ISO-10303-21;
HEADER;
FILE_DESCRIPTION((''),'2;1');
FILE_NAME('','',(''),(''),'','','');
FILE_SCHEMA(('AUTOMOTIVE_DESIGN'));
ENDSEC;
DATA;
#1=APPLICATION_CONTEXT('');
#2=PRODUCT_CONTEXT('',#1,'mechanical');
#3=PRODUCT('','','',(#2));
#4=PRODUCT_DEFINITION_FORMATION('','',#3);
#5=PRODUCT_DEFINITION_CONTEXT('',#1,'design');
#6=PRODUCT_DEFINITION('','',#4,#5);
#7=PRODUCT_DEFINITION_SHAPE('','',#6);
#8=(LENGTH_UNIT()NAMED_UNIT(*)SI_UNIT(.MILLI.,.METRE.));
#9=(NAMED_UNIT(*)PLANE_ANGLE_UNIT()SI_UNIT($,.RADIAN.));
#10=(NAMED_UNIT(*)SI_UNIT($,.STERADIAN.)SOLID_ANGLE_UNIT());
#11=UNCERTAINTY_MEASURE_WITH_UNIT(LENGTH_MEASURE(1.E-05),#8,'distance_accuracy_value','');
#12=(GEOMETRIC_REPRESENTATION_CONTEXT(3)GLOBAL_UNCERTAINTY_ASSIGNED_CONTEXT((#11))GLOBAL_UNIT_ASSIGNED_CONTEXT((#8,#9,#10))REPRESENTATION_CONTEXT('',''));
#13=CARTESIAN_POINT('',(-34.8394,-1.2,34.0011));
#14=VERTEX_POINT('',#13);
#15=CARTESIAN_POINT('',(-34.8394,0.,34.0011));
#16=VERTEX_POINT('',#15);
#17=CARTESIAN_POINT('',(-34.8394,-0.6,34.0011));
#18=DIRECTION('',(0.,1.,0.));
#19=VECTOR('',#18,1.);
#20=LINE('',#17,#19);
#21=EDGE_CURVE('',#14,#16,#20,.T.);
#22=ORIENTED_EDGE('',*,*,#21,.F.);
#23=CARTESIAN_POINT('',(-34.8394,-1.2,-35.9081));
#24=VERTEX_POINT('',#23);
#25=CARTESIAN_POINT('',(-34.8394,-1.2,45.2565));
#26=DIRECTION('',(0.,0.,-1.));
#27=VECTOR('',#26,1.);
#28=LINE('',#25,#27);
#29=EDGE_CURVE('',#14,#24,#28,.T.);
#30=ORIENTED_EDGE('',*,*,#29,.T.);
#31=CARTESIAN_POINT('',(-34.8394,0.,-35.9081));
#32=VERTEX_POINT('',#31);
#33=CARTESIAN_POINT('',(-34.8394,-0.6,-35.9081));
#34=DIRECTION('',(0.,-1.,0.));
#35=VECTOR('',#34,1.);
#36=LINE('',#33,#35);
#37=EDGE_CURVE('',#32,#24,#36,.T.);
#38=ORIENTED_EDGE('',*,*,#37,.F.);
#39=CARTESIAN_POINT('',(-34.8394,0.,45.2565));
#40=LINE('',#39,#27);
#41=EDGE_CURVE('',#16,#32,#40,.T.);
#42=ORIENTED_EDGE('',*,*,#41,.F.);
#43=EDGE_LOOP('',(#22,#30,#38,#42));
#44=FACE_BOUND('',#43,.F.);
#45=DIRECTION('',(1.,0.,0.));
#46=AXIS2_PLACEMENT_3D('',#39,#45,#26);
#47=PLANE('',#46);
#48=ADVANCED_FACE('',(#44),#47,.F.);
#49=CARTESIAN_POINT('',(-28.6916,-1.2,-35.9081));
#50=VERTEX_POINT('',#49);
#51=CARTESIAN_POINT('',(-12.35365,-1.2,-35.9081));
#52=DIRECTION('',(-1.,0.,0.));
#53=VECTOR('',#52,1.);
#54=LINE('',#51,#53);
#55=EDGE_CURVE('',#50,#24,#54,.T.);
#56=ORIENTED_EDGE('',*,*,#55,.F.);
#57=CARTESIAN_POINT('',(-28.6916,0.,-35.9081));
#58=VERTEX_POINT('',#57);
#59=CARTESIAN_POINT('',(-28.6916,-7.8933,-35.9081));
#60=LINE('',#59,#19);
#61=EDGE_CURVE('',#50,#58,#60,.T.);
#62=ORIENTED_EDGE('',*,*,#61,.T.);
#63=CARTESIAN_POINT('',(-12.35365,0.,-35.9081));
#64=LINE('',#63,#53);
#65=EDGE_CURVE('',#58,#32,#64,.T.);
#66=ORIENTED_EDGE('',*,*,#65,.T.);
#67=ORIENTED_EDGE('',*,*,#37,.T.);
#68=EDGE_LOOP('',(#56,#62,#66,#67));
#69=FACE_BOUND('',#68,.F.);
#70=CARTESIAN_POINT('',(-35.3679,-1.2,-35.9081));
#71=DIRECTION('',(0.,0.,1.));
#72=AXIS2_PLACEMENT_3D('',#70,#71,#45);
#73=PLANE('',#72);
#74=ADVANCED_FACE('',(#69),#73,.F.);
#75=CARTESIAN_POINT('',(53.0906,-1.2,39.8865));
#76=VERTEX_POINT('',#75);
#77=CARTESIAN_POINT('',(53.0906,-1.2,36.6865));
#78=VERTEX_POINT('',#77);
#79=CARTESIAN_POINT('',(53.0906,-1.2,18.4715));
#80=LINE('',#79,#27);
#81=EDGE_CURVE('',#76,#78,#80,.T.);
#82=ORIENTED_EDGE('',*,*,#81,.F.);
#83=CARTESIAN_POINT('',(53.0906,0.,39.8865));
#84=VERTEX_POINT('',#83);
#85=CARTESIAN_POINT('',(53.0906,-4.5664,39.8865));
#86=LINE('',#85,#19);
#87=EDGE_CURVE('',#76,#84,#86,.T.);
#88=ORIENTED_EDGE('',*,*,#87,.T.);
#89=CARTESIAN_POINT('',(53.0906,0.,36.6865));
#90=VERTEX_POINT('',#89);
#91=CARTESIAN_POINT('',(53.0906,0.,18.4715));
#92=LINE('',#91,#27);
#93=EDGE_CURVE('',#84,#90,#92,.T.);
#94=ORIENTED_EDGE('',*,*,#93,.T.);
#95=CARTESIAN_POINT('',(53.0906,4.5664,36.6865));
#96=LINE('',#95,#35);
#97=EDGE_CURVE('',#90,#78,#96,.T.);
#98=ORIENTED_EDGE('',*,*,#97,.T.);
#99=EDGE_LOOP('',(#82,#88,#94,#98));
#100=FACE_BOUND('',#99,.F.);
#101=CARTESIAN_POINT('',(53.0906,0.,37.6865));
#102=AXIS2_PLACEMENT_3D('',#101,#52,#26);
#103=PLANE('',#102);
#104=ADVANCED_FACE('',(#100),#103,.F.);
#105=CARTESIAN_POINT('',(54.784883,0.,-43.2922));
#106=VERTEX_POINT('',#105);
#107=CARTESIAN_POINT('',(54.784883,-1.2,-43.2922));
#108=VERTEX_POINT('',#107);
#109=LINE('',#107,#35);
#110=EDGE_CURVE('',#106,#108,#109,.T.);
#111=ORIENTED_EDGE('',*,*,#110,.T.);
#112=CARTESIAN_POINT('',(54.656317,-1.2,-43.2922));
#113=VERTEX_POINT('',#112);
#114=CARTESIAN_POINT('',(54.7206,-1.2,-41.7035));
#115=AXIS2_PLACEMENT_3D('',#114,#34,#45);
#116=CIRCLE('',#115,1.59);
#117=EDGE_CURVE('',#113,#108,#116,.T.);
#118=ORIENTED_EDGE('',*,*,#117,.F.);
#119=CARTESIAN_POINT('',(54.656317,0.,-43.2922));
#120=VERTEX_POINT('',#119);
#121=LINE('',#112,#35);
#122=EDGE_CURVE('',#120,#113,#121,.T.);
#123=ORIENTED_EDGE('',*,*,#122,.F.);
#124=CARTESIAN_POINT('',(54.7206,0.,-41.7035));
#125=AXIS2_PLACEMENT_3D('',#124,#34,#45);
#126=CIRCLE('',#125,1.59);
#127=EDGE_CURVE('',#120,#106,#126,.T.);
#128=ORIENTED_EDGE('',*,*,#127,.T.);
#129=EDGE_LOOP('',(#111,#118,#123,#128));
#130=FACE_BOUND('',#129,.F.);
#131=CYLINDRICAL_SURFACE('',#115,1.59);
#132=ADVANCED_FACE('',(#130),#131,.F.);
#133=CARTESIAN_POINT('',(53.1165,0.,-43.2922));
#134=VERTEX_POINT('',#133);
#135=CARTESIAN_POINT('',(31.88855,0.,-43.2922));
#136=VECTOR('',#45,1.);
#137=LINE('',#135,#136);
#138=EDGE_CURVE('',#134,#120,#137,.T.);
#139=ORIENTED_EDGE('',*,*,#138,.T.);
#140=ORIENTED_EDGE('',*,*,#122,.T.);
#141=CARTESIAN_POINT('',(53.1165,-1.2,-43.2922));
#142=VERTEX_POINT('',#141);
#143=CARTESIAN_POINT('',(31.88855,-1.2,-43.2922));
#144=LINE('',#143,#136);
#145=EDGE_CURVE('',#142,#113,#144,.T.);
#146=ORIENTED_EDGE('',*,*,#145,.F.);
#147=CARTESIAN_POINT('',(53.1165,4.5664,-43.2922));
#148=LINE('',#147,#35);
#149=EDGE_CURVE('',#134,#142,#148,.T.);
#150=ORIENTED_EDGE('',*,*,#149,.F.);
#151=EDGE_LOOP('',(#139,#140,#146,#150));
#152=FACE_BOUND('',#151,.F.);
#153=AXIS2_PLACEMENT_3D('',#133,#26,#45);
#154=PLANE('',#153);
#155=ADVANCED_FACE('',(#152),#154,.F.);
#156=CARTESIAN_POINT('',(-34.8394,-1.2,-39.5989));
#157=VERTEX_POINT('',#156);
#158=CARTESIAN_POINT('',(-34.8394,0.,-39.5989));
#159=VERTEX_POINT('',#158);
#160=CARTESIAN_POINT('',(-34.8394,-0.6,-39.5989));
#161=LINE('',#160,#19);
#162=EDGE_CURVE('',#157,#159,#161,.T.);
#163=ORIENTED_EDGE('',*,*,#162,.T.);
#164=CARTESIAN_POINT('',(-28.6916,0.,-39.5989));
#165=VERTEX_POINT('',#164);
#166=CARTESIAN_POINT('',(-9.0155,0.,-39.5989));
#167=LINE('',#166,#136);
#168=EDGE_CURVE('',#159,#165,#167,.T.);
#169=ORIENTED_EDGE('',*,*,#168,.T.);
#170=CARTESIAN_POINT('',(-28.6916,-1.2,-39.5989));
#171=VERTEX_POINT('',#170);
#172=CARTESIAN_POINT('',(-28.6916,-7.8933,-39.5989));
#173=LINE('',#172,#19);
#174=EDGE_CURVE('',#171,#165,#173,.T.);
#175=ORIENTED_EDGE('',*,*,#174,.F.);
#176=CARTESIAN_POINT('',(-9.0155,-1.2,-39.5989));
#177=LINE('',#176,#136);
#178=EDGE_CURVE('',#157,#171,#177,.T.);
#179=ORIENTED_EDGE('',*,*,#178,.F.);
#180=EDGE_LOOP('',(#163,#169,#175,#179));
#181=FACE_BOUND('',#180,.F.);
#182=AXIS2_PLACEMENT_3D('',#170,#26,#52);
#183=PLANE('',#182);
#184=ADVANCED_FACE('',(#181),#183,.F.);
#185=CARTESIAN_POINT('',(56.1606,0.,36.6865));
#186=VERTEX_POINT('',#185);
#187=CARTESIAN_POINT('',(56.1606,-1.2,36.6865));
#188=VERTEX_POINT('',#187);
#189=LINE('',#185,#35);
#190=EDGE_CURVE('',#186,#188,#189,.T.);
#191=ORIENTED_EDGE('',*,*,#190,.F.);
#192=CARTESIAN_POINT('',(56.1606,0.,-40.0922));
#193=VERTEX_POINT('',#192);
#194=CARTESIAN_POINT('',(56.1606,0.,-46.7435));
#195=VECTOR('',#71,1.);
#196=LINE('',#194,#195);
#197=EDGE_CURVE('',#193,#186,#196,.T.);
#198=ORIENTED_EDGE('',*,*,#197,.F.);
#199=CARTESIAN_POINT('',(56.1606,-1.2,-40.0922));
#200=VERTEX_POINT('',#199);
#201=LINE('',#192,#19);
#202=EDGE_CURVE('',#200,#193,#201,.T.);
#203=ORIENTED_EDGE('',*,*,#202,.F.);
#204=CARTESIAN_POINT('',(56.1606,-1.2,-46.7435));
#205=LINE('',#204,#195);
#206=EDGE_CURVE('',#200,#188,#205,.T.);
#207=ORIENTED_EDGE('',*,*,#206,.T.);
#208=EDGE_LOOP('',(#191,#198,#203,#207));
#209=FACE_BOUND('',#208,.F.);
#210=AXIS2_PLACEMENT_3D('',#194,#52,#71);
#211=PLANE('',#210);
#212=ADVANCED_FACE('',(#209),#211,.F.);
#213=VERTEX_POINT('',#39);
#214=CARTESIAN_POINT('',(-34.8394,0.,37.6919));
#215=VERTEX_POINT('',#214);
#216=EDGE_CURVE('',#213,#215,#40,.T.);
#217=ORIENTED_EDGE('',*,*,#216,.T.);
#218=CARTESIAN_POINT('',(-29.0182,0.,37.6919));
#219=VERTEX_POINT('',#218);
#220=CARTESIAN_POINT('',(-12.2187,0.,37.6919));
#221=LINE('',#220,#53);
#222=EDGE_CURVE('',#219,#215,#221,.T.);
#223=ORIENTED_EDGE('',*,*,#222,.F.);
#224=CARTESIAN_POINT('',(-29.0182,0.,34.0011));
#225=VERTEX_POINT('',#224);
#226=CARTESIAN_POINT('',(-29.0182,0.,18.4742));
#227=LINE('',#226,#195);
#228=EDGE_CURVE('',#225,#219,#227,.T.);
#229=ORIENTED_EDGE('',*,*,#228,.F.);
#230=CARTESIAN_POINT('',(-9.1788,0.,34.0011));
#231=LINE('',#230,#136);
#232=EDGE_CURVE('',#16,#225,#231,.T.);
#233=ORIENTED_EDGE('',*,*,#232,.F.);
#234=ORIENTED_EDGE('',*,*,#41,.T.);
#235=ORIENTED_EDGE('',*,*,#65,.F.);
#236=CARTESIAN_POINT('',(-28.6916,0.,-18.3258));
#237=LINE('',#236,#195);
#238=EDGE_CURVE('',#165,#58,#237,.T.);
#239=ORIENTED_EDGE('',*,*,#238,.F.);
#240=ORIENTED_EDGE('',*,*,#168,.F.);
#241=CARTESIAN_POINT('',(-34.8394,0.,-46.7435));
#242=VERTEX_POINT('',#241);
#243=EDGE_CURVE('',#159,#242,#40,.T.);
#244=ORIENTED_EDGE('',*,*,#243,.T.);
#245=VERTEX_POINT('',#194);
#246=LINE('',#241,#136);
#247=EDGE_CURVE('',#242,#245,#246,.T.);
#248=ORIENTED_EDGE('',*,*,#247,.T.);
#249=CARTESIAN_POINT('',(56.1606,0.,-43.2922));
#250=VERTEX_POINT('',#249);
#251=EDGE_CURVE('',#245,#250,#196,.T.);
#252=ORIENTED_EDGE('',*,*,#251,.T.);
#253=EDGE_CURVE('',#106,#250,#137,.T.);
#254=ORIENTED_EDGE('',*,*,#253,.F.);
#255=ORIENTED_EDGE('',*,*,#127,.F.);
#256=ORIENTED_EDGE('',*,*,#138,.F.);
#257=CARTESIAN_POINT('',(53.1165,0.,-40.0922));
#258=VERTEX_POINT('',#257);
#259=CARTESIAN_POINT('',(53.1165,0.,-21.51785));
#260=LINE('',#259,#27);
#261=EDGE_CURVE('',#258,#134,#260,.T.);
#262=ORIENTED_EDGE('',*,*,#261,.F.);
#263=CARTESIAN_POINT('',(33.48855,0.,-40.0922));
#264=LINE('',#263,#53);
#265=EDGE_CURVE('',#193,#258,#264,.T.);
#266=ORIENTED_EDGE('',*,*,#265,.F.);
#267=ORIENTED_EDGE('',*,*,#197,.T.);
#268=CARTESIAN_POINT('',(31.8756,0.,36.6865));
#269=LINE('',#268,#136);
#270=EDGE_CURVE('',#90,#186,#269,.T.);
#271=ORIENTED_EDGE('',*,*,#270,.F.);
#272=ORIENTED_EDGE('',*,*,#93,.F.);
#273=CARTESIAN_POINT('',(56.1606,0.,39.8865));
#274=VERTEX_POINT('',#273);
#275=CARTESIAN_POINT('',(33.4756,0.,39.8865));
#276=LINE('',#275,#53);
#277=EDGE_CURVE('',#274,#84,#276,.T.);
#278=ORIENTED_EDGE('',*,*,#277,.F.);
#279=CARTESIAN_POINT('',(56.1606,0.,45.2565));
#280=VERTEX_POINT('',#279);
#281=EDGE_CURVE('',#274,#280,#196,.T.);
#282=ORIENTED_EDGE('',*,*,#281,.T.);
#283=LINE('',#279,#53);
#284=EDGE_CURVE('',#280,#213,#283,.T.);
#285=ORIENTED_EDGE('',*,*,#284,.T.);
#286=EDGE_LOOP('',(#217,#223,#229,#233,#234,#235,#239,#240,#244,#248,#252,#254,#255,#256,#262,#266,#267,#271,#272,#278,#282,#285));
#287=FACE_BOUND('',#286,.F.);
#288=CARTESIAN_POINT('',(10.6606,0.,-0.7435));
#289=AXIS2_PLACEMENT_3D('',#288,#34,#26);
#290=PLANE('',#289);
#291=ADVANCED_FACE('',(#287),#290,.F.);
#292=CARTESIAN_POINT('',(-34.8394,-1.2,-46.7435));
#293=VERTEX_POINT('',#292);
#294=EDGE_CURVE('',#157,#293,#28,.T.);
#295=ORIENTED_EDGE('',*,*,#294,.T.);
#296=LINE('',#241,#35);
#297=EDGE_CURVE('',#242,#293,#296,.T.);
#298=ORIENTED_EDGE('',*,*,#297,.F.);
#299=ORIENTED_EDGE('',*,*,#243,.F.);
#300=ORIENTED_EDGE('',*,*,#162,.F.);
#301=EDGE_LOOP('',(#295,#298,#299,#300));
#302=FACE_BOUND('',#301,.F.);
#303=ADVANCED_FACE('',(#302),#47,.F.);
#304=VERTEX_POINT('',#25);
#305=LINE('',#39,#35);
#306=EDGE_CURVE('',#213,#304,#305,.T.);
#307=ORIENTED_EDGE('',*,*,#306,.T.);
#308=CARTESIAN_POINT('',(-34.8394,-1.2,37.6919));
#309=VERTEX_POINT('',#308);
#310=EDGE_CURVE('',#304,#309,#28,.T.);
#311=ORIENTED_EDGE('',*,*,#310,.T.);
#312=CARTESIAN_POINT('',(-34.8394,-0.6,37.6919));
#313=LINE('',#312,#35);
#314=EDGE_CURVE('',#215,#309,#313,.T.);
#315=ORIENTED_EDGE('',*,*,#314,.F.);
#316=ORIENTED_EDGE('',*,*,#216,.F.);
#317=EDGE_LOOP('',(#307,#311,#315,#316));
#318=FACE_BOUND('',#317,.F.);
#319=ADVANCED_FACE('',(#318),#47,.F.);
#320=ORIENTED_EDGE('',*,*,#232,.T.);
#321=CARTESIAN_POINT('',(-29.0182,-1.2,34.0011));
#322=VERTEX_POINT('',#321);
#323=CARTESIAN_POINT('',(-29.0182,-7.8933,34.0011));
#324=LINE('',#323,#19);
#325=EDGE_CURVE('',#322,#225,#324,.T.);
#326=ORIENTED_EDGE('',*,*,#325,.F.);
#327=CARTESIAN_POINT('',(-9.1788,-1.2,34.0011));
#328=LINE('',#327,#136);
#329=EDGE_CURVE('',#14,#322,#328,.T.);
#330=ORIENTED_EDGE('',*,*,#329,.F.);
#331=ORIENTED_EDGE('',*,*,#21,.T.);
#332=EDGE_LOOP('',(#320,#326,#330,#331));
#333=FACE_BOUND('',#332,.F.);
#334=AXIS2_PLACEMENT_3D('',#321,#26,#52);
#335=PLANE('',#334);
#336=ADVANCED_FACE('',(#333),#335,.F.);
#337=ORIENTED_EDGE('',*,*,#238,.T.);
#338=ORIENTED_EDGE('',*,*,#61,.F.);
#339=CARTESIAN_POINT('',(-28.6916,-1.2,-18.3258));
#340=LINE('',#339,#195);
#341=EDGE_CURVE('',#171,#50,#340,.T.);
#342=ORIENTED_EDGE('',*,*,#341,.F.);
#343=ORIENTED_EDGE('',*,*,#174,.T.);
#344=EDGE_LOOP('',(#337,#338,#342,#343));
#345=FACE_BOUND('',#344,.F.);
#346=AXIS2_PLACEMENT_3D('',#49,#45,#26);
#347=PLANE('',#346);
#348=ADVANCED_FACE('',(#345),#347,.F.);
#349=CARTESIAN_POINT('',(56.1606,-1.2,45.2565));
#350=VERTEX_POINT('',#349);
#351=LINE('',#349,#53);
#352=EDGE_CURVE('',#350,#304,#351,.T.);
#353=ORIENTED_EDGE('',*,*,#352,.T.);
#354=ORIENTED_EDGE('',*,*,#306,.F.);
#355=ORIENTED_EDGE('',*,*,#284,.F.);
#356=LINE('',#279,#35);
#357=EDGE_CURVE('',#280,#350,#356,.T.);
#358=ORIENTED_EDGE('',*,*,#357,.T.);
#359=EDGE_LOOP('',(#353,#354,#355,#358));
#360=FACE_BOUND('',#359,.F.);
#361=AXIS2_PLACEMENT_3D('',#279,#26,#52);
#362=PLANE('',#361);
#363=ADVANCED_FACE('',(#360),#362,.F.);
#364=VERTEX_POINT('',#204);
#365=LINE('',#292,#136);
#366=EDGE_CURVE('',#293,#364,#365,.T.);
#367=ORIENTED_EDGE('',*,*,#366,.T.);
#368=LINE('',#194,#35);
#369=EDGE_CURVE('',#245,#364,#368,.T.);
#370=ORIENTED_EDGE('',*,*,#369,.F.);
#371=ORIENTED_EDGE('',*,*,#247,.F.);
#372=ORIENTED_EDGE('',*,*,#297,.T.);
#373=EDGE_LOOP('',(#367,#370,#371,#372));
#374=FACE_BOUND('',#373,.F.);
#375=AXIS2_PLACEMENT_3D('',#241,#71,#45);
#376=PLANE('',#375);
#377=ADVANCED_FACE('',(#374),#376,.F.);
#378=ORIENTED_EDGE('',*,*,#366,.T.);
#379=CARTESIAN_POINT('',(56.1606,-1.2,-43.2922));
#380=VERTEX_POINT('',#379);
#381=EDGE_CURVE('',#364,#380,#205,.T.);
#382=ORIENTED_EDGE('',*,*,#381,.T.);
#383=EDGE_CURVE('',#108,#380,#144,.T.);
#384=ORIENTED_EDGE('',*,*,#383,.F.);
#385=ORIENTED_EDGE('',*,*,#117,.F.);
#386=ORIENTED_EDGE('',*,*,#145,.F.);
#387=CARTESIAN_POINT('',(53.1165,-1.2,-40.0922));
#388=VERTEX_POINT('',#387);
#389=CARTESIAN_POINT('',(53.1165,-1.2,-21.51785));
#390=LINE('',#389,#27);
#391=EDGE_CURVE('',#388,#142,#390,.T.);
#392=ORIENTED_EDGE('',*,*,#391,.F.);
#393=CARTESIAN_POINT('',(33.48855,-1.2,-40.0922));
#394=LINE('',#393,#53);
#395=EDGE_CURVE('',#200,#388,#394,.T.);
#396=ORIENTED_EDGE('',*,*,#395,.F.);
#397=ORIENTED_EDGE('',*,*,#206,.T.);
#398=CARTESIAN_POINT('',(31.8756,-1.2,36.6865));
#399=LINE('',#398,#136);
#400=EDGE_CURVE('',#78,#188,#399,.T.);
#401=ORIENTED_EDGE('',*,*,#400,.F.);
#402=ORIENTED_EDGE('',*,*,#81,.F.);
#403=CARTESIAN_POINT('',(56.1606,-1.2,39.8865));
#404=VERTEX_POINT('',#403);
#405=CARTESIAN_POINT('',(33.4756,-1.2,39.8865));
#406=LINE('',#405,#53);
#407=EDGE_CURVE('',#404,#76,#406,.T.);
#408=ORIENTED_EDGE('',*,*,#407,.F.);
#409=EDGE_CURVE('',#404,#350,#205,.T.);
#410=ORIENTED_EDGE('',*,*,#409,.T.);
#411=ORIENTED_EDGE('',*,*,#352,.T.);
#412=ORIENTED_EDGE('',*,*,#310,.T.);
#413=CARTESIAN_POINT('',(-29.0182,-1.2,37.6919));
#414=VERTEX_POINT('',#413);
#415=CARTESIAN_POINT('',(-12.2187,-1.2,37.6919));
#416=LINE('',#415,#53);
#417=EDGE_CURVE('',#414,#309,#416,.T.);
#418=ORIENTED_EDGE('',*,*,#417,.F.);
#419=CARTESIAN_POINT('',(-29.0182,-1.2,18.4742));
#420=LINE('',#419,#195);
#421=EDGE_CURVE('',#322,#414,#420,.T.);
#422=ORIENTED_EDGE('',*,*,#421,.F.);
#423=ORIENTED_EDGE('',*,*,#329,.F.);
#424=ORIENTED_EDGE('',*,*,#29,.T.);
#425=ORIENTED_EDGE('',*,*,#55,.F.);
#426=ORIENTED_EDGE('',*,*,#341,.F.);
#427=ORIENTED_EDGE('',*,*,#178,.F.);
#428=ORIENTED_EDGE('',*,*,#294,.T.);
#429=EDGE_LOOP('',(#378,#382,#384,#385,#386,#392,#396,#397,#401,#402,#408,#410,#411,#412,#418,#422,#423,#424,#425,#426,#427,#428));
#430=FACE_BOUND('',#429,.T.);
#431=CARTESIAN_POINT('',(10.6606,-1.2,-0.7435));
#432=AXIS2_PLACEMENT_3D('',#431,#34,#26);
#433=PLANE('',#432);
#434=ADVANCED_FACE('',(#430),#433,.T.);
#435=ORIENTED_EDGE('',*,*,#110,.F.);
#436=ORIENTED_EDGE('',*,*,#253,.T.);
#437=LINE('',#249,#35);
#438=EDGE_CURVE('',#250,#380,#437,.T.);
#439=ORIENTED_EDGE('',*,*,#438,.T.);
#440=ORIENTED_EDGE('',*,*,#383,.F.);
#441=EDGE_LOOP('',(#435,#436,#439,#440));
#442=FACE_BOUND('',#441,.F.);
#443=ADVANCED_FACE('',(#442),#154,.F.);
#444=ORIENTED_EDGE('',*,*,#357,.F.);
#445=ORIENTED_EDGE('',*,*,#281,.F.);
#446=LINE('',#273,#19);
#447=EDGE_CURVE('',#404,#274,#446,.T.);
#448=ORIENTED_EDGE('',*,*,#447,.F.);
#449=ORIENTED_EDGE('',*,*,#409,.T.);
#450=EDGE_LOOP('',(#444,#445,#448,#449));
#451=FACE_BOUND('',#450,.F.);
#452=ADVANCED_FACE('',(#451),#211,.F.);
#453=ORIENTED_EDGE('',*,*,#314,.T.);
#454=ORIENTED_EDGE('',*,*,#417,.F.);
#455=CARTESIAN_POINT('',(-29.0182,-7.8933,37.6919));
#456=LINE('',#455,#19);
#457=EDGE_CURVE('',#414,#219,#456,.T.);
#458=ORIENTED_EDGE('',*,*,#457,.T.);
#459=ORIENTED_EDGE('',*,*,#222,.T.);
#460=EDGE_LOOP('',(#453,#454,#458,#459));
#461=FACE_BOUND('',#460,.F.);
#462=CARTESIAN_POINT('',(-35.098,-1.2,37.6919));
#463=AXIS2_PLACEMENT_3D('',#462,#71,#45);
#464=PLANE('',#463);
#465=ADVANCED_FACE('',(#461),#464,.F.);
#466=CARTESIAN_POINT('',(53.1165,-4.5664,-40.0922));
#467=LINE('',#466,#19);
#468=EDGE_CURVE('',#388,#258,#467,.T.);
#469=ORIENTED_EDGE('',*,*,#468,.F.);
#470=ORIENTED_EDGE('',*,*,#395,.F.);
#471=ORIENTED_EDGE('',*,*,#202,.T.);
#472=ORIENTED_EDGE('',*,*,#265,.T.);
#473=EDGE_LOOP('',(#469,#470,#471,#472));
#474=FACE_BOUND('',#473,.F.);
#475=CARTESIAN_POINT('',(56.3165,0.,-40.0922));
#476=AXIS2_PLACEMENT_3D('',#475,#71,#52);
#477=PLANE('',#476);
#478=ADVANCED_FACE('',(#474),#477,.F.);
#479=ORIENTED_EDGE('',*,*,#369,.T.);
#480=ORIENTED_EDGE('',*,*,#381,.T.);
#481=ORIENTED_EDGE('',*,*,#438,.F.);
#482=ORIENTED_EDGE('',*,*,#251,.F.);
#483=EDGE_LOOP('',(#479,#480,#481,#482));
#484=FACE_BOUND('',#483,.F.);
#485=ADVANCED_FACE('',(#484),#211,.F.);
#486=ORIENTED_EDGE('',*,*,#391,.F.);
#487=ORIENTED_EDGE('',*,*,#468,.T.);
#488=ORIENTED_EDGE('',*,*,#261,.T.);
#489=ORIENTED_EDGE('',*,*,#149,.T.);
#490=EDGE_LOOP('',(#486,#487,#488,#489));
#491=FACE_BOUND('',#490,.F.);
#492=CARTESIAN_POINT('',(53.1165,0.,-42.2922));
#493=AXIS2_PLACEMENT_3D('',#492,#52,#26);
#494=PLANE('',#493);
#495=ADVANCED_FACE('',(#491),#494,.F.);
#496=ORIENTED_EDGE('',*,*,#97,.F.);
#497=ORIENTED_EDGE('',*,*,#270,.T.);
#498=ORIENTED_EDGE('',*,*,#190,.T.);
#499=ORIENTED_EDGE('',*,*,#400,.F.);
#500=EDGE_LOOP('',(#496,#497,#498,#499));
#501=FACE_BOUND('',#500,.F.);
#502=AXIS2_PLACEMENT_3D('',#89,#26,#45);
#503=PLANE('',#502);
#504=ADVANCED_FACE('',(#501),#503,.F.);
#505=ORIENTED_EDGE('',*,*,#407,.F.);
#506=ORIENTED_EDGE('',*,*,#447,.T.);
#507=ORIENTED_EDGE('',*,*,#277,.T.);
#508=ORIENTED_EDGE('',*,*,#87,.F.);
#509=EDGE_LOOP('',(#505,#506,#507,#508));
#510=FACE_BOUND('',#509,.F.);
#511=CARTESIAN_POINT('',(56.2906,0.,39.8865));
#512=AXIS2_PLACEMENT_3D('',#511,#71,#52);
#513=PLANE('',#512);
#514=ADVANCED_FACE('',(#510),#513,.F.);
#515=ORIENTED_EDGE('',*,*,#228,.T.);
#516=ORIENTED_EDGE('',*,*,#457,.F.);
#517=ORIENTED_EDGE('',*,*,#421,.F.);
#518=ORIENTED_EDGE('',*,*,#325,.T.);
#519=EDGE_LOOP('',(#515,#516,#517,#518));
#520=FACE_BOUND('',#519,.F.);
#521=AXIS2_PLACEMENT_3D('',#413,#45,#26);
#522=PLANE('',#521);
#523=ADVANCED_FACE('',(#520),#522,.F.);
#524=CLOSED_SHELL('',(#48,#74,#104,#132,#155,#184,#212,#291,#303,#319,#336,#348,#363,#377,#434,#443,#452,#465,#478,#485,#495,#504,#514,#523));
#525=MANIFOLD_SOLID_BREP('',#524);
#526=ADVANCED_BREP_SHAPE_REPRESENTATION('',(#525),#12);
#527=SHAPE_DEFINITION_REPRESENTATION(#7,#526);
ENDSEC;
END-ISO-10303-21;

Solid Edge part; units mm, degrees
sketch "Sketch1" plane through (12.1606, 0, 0.2565) normal (0, -1, 0) x (1, 0, 0)
  line L0 (-47, -47) -> (44, -47)
  line L1 (44, -47) -> (44, 45)
  line L2 (44, 45) -> (-47, 45)
  line L3 (-47, 45) -> (-47, -47)
  dimension "D1" = 91
  dimension "D2" = 92
extrude "ExtrudedProtrusion_1" add sketch "Sketch1" along normal blind 1.2
sketch "Sketch2" plane through (0, -1.2, 0) normal (0, -1, 0) x (1, 0, 0)
  circle A0 centre (-30.7894, -37.7535) radius 1.59
  circle A1 centre (54.6906, 38.2865) radius 1.59
  circle A2 centre (54.7206, -41.7035) radius 1.59
  circle A3 centre (-31.0894, 35.8465) radius 1.59
  dimension "D1" = 3.18
  dimension "D2" = 3.18
extrude "Cutout1" cut sketch "Sketch2" against normal up to next
sketch "Sketch3" plane through (10.6606, 0, -0.7435) normal (0, 1, 0) x (0, 0, 1)
  line L0 (-41.5487, 42.4559) -> (-42.5487, 42.4559)
  line L1 (-42.5487, 42.4559) -> (-42.5487, 45.6559)
  line L2 (-42.5487, 45.6559) -> (-39.3487, 45.6559)
  line L3 (-39.3487, 45.6559) -> (-39.3487, 42.4559)
  line L4 (-39.3487, 42.4559) -> (-41.5487, 42.4559)
  line L5 (38.43, 42.43) -> (37.43, 42.43)
  line L6 (37.43, 42.43) -> (37.43, 45.63)
  line L7 (37.43, 45.63) -> (40.63, 45.63)
  line L8 (40.63, 45.63) -> (40.63, 42.43)
  line L9 (40.63, 42.43) -> (38.43, 42.43)
extrude "Cutout2" cut sketch "Sketch3" along normal mid plane 9.1328
sketch "Sketch4" plane through (10.6606, -1.2, -0.7435) normal (0, -1, 0) x (0, 0, -1)
  line L0 (-38.4354, -45.7586) -> (-38.4354, -39.6788)
  line L1 (-38.4354, -39.6788) -> (-34.7446, -39.6788)
  line L2 (-34.7446, -39.6788) -> (-34.7446, -45.7586)
  line L3 (-38.4354, -45.7586) -> (-34.7446, -45.7586)
  line L4 (35.1646, -46.0285) -> (35.1646, -39.3522)
  line L5 (35.1646, -39.3522) -> (38.8554, -39.3522)
  line L6 (38.8554, -39.3522) -> (38.8554, -46.0285)
  line L7 (35.1646, -46.0285) -> (38.8554, -46.0285)
extrude "ExtrudedCutout_3" cut sketch "Sketch4" along normal mid plane 13.3866
properties material "Epoxy, cast rigid"
